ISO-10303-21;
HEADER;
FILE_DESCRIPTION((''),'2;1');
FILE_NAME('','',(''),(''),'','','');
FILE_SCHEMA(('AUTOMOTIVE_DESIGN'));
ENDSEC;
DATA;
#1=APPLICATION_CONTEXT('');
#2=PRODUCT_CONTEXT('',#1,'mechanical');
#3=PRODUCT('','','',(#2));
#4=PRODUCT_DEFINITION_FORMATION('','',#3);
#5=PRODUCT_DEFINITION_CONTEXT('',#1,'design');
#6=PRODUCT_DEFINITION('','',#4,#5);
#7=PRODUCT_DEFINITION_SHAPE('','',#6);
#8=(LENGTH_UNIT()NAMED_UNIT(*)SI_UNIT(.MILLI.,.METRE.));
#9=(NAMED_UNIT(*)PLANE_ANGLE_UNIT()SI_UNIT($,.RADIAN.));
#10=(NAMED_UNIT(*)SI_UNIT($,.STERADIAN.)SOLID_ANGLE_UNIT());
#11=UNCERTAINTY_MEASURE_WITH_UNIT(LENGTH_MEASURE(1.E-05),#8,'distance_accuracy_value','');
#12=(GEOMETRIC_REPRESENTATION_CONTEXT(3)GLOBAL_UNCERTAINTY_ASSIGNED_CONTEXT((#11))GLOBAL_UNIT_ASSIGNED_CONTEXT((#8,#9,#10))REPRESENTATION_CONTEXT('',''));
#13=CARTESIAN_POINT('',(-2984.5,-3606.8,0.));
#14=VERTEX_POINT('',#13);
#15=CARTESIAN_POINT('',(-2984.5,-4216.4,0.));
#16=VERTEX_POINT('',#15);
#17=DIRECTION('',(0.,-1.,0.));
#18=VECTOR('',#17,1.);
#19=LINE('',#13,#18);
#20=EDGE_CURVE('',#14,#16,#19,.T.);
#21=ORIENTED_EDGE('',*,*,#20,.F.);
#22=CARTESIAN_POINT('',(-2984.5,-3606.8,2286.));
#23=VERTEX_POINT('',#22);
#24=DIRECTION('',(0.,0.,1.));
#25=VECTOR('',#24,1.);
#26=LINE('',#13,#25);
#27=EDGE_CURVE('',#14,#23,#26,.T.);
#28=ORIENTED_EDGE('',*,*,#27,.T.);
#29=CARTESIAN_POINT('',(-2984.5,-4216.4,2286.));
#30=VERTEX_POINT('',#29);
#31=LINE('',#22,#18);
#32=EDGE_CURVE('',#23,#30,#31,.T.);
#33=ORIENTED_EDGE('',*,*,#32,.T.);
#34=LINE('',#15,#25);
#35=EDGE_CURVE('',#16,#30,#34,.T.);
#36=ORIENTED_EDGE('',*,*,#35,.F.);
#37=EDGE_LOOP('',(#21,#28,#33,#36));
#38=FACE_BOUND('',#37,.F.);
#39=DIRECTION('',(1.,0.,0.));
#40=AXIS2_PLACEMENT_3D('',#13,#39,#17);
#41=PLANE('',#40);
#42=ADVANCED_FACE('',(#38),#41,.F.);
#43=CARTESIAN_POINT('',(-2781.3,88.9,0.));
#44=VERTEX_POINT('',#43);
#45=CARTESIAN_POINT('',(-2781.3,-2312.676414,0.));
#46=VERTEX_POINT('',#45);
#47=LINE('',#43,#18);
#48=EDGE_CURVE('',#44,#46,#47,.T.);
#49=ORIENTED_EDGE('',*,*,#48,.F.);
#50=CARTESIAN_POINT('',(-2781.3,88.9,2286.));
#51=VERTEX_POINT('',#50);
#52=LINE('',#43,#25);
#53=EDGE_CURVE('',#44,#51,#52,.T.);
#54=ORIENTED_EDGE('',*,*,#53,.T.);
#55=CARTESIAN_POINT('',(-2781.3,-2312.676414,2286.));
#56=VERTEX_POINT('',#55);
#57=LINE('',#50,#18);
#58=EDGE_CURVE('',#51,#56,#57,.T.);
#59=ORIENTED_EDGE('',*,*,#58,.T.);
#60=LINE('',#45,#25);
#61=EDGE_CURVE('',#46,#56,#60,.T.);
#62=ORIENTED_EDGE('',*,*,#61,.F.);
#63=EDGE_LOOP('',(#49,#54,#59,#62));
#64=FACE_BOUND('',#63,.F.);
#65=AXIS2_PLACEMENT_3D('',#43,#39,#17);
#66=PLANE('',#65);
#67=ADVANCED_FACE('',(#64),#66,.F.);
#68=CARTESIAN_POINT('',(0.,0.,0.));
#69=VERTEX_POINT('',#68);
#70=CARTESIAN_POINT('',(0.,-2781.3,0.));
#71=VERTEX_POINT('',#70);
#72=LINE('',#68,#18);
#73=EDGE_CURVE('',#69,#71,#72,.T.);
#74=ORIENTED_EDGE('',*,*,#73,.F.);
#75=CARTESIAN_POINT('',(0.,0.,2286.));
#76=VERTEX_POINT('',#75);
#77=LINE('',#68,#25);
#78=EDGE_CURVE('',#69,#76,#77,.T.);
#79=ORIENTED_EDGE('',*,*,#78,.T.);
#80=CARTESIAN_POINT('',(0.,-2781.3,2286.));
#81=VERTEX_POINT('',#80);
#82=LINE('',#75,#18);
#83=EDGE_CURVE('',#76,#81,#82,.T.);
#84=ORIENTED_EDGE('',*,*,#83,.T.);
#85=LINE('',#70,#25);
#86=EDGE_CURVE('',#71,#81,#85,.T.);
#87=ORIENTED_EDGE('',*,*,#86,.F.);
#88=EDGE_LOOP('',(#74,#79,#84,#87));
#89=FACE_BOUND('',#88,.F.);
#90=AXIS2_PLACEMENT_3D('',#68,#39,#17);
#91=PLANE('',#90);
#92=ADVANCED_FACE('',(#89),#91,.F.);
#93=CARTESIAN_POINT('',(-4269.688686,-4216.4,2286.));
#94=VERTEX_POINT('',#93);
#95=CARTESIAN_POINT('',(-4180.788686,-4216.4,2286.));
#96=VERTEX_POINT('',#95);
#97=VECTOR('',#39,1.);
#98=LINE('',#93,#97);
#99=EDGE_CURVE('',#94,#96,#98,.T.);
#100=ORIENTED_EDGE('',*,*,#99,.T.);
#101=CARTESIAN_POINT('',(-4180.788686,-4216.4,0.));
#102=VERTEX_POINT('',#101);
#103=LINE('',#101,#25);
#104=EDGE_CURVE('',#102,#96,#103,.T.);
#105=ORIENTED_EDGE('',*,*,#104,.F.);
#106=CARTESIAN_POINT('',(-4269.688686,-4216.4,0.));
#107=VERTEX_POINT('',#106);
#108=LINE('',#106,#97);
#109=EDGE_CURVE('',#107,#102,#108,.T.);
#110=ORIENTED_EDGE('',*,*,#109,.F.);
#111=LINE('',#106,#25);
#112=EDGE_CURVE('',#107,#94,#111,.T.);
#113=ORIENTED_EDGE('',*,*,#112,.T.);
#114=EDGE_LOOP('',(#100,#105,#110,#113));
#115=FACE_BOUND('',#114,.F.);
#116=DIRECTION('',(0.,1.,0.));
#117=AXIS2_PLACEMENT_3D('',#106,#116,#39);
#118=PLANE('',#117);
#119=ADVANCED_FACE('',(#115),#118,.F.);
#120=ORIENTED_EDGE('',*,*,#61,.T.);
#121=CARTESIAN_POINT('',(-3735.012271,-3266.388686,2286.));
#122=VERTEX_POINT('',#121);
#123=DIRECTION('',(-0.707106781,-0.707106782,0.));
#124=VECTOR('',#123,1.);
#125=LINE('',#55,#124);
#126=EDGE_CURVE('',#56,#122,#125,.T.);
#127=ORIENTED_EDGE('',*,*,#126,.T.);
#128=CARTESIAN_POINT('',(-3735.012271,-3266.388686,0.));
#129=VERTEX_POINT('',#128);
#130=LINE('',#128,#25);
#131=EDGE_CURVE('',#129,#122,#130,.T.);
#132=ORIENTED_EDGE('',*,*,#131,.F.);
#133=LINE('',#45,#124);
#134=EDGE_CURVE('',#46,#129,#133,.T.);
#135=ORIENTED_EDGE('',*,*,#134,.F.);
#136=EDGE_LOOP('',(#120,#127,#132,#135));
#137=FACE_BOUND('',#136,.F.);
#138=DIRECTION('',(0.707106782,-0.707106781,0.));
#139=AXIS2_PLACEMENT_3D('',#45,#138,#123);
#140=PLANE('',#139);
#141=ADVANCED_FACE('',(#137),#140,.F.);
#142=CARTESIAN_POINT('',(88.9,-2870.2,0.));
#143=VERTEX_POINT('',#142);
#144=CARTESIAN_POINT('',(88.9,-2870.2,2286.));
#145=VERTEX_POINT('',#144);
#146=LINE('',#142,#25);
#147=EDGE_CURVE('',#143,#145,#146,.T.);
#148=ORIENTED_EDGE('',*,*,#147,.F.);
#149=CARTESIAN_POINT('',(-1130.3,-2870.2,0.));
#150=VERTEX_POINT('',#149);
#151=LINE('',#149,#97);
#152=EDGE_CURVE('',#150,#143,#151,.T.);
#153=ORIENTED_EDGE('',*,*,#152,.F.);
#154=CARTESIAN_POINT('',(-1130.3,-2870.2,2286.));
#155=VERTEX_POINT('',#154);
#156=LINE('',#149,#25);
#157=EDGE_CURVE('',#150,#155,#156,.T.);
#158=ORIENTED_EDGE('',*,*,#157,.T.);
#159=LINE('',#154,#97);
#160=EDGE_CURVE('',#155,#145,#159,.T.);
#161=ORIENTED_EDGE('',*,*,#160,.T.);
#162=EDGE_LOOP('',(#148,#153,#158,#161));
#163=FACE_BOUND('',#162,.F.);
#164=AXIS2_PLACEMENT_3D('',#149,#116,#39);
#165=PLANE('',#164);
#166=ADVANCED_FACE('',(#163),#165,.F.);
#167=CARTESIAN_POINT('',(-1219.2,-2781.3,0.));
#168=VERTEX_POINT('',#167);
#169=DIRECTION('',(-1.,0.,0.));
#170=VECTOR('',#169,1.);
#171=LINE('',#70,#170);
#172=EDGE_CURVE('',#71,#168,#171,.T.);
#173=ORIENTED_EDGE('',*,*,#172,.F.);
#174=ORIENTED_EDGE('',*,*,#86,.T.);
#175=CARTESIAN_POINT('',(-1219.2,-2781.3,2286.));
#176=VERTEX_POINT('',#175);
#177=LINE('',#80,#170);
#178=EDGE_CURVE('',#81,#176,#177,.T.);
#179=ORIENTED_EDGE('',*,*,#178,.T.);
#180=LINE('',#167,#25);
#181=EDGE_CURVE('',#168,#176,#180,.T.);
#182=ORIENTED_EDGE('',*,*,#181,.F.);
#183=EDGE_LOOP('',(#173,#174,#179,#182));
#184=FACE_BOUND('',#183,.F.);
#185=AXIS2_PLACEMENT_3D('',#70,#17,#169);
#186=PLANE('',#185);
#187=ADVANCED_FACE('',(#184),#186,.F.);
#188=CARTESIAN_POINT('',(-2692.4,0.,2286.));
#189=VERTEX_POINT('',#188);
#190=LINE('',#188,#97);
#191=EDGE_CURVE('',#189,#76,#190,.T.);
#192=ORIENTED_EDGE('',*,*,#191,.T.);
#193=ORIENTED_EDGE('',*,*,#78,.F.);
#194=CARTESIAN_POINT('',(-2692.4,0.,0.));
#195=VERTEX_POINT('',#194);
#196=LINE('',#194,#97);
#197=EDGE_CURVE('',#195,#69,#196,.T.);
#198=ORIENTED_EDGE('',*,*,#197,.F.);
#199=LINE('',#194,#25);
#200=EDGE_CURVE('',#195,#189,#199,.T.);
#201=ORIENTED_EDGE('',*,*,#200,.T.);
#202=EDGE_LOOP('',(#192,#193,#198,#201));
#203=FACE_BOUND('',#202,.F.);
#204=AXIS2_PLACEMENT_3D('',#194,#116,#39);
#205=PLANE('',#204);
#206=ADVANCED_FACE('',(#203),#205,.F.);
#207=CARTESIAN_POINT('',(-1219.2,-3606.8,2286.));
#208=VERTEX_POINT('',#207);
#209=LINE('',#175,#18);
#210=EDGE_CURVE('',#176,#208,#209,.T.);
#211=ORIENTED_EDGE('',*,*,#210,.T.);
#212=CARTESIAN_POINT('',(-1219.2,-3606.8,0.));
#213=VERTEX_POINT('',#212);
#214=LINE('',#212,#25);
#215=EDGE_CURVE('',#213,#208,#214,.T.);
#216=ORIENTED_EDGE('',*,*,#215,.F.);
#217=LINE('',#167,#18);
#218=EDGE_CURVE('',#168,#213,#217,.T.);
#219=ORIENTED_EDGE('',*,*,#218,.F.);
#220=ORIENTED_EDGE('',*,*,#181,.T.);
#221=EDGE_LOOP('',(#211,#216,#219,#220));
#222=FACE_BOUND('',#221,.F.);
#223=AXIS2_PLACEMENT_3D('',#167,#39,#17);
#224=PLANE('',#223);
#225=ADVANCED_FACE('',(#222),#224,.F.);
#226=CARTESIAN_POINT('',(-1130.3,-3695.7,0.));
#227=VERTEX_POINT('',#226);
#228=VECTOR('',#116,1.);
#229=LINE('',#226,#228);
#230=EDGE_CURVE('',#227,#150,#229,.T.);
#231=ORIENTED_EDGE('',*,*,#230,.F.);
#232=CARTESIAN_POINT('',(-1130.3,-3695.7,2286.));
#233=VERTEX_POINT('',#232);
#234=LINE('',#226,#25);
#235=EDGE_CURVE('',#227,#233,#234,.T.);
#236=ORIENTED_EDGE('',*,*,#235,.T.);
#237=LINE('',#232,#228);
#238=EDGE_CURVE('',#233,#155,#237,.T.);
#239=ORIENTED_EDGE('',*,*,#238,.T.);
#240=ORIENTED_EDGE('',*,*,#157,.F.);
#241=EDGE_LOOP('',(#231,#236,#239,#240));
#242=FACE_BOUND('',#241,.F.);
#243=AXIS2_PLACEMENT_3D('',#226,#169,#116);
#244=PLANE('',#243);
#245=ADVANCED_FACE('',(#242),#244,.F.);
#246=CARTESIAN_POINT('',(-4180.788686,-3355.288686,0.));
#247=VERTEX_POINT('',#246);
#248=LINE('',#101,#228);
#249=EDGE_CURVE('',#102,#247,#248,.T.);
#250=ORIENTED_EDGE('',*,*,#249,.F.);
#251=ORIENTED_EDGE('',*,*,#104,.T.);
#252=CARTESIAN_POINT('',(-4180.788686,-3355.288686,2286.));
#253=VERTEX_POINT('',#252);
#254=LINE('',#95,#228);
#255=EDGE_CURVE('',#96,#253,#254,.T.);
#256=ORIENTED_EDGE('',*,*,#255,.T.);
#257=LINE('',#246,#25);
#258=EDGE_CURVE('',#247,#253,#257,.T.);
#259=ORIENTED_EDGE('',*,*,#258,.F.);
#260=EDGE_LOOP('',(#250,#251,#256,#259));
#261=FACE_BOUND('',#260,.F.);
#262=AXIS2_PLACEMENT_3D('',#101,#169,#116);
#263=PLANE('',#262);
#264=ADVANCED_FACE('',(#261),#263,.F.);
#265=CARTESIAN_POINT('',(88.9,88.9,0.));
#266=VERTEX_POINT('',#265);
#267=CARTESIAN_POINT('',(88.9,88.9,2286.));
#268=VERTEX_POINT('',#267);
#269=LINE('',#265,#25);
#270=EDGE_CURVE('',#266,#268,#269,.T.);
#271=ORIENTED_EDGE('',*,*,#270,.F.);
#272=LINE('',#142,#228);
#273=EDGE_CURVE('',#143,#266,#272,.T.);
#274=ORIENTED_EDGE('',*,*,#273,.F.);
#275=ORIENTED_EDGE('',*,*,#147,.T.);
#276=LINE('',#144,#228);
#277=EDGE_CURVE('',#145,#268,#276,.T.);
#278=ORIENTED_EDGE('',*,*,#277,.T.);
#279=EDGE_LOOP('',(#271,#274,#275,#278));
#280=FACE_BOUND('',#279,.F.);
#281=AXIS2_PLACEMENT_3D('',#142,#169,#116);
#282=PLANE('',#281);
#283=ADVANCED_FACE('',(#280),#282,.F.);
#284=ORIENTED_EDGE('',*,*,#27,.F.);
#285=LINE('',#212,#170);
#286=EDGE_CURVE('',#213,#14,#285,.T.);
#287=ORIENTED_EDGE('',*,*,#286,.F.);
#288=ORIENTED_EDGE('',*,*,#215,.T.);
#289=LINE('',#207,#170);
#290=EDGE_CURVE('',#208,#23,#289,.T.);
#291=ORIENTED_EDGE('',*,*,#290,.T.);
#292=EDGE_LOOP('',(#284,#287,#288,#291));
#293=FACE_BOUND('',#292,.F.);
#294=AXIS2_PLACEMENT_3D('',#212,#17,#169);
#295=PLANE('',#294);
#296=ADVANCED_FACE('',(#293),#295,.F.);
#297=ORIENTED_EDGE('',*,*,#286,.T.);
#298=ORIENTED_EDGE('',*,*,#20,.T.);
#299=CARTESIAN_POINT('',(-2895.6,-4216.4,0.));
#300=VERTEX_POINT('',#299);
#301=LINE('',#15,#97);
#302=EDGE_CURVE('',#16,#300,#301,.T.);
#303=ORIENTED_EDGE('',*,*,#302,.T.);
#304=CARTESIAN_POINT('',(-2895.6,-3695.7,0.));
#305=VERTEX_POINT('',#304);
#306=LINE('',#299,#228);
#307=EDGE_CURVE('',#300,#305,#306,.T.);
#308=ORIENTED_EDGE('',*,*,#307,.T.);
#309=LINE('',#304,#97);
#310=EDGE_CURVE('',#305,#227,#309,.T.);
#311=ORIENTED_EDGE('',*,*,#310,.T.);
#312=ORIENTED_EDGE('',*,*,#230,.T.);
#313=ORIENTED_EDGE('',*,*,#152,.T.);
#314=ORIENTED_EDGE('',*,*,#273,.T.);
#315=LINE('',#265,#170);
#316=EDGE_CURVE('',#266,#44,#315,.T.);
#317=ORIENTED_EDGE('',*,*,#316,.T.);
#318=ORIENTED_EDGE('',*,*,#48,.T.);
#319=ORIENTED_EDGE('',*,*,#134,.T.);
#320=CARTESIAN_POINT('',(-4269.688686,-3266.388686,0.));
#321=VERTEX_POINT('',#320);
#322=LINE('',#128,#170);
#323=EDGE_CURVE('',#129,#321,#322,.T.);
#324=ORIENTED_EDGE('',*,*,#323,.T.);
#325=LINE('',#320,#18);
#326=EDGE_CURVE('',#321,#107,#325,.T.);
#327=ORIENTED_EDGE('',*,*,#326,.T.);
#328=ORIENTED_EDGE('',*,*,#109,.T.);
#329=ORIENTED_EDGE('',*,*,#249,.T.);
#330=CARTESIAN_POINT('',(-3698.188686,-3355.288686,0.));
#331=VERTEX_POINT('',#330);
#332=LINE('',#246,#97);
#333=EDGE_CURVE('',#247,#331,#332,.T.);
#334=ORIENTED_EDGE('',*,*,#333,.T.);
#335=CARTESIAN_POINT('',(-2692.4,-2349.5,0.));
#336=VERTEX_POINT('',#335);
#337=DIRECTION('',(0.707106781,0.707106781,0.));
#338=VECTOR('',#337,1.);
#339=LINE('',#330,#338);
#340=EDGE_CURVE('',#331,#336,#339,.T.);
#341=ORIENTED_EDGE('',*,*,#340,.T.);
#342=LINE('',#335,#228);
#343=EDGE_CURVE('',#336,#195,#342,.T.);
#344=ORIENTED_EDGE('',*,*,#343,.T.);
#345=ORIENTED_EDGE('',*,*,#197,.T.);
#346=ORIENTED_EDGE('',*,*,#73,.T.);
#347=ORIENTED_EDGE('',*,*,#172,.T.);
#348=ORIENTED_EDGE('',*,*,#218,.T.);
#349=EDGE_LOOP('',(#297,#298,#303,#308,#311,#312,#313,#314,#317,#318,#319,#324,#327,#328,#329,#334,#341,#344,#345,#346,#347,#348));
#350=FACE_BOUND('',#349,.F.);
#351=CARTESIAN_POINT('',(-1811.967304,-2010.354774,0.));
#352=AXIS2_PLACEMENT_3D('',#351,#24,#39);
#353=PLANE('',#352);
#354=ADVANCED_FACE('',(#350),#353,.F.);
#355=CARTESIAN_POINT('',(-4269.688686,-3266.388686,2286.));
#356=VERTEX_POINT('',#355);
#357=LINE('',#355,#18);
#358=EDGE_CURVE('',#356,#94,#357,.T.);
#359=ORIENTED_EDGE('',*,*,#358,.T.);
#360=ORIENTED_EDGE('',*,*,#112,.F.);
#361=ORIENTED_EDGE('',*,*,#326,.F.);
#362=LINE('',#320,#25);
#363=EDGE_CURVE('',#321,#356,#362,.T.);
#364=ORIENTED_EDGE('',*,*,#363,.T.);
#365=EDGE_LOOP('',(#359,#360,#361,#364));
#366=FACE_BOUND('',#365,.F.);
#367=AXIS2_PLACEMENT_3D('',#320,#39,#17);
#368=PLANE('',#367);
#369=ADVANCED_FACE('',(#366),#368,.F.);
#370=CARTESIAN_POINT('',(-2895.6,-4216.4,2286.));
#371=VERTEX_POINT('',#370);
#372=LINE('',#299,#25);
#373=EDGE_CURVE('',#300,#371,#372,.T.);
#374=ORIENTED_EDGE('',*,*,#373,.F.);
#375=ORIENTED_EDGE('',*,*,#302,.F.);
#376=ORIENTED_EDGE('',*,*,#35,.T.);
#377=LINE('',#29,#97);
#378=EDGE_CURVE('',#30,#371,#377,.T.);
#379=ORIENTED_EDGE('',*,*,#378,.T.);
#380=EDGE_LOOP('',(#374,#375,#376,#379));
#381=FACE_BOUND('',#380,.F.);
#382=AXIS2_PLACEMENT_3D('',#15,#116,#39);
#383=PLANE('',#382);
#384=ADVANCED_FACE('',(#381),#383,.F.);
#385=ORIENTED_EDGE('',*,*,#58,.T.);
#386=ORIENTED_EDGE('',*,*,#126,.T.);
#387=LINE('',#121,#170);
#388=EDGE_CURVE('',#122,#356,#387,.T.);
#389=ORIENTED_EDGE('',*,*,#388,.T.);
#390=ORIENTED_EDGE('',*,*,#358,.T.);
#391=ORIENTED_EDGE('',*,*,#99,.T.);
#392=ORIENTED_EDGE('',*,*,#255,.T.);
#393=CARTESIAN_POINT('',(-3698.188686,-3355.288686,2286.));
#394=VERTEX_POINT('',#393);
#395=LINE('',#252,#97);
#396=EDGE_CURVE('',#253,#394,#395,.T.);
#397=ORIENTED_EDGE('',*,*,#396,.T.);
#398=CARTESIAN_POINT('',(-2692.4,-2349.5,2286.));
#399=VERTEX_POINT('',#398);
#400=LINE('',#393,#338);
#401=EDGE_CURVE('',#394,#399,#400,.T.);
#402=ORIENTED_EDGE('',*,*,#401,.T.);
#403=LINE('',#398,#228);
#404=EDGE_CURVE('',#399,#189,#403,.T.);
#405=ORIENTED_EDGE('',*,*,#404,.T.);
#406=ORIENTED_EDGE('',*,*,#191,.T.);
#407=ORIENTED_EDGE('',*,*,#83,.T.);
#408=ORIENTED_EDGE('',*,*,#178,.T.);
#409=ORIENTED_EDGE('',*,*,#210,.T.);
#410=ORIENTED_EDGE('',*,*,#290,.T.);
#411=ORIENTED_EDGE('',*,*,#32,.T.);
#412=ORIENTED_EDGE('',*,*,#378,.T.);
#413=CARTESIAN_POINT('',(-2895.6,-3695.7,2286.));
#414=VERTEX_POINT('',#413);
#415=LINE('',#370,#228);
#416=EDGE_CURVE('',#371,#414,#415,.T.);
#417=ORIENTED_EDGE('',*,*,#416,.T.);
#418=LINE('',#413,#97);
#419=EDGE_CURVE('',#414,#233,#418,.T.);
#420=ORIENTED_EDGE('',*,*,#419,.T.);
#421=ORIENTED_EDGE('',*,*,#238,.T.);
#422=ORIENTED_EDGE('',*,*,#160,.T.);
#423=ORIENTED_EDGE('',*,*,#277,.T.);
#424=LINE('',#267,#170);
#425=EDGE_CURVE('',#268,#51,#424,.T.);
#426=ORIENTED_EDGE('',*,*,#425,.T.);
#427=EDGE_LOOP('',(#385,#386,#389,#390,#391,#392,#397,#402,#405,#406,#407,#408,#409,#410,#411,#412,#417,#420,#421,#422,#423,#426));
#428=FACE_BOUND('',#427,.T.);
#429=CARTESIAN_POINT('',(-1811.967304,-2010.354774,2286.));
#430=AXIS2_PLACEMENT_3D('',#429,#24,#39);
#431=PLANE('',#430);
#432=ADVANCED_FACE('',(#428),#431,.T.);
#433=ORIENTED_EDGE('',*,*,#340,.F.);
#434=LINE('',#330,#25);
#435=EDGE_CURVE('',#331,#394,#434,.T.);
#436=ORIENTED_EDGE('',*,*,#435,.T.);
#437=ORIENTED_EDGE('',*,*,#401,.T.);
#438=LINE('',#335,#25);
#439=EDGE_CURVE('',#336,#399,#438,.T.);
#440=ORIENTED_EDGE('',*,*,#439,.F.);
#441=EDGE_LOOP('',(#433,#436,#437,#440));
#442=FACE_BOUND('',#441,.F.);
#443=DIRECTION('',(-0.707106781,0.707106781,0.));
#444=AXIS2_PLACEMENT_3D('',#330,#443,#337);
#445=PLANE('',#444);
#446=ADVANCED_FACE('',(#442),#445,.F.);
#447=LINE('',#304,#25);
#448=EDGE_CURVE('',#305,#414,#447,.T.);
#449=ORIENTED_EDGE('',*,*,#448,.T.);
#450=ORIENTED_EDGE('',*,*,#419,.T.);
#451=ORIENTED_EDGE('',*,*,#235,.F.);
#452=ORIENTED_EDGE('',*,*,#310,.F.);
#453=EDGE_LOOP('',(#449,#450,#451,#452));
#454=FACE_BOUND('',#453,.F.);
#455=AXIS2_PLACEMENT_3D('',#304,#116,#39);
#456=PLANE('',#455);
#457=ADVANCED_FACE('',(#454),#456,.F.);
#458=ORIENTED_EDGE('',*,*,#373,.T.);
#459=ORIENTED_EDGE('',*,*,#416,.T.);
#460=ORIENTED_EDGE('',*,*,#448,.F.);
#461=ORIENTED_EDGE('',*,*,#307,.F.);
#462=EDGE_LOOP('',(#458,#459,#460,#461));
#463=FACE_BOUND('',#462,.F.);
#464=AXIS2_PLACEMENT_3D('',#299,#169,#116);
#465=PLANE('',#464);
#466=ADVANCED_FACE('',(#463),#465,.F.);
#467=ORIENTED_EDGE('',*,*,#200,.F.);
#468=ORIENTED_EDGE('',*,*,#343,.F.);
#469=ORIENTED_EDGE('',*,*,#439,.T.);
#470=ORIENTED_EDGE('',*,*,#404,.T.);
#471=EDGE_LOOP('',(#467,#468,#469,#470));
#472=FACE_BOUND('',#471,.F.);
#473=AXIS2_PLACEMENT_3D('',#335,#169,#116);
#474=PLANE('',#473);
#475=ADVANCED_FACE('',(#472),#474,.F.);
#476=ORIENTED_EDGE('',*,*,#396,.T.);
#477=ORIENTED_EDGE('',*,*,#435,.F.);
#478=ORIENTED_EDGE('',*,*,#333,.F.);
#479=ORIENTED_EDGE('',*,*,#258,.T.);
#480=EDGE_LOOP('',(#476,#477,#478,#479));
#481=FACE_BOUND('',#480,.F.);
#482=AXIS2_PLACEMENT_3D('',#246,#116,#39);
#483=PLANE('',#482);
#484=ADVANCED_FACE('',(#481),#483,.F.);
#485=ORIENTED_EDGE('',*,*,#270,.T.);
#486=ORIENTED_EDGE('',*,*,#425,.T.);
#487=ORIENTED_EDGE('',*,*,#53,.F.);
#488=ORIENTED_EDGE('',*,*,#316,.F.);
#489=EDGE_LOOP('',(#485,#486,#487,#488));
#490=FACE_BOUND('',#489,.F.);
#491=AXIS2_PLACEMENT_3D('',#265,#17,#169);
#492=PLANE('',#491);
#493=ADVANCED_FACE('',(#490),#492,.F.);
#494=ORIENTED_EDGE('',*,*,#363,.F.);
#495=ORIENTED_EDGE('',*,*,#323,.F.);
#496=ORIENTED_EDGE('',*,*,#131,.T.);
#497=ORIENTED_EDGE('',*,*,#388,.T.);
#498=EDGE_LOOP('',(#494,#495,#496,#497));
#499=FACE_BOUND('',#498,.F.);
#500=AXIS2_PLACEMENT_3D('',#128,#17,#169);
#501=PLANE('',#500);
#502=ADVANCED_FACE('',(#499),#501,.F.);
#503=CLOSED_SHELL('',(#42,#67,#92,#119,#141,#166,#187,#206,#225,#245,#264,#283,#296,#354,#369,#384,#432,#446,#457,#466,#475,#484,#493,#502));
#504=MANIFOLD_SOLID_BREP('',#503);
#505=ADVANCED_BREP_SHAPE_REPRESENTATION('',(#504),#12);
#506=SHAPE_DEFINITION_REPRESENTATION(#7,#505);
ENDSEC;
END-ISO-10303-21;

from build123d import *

# Parameters (mm, degrees)
F1_DEPTH = 2286


with BuildPart() as f1:
    # F0 (on Top) → F1 (new body)
    with BuildSketch(Plane.XY):
        Polygon((-2692.4, 0), (0, 0), (0, -2781.3), (-1219.2, -2781.3), (-1219.2, -3606.8), (-2984.5, -3606.8), (-2984.5, -4216.4), (-2895.6, -4216.4), (-2895.6, -3695.7), (-1130.3, -3695.7), (-1130.3, -2870.2), (88.9, -2870.2), (88.9, 88.9), (-2781.3, 88.9), (-2781.3, -2312.676414), (-3735.012271, -3266.388686), (-4269.688686, -3266.388686), (-4269.688686, -4216.4), (-4180.788686, -4216.4), (-4180.788686, -3355.288686), (-3698.188686, -3355.288686), (-2692.4, -2349.5), align=None)
    extrude(amount=F1_DEPTH)


solid = f1.part
